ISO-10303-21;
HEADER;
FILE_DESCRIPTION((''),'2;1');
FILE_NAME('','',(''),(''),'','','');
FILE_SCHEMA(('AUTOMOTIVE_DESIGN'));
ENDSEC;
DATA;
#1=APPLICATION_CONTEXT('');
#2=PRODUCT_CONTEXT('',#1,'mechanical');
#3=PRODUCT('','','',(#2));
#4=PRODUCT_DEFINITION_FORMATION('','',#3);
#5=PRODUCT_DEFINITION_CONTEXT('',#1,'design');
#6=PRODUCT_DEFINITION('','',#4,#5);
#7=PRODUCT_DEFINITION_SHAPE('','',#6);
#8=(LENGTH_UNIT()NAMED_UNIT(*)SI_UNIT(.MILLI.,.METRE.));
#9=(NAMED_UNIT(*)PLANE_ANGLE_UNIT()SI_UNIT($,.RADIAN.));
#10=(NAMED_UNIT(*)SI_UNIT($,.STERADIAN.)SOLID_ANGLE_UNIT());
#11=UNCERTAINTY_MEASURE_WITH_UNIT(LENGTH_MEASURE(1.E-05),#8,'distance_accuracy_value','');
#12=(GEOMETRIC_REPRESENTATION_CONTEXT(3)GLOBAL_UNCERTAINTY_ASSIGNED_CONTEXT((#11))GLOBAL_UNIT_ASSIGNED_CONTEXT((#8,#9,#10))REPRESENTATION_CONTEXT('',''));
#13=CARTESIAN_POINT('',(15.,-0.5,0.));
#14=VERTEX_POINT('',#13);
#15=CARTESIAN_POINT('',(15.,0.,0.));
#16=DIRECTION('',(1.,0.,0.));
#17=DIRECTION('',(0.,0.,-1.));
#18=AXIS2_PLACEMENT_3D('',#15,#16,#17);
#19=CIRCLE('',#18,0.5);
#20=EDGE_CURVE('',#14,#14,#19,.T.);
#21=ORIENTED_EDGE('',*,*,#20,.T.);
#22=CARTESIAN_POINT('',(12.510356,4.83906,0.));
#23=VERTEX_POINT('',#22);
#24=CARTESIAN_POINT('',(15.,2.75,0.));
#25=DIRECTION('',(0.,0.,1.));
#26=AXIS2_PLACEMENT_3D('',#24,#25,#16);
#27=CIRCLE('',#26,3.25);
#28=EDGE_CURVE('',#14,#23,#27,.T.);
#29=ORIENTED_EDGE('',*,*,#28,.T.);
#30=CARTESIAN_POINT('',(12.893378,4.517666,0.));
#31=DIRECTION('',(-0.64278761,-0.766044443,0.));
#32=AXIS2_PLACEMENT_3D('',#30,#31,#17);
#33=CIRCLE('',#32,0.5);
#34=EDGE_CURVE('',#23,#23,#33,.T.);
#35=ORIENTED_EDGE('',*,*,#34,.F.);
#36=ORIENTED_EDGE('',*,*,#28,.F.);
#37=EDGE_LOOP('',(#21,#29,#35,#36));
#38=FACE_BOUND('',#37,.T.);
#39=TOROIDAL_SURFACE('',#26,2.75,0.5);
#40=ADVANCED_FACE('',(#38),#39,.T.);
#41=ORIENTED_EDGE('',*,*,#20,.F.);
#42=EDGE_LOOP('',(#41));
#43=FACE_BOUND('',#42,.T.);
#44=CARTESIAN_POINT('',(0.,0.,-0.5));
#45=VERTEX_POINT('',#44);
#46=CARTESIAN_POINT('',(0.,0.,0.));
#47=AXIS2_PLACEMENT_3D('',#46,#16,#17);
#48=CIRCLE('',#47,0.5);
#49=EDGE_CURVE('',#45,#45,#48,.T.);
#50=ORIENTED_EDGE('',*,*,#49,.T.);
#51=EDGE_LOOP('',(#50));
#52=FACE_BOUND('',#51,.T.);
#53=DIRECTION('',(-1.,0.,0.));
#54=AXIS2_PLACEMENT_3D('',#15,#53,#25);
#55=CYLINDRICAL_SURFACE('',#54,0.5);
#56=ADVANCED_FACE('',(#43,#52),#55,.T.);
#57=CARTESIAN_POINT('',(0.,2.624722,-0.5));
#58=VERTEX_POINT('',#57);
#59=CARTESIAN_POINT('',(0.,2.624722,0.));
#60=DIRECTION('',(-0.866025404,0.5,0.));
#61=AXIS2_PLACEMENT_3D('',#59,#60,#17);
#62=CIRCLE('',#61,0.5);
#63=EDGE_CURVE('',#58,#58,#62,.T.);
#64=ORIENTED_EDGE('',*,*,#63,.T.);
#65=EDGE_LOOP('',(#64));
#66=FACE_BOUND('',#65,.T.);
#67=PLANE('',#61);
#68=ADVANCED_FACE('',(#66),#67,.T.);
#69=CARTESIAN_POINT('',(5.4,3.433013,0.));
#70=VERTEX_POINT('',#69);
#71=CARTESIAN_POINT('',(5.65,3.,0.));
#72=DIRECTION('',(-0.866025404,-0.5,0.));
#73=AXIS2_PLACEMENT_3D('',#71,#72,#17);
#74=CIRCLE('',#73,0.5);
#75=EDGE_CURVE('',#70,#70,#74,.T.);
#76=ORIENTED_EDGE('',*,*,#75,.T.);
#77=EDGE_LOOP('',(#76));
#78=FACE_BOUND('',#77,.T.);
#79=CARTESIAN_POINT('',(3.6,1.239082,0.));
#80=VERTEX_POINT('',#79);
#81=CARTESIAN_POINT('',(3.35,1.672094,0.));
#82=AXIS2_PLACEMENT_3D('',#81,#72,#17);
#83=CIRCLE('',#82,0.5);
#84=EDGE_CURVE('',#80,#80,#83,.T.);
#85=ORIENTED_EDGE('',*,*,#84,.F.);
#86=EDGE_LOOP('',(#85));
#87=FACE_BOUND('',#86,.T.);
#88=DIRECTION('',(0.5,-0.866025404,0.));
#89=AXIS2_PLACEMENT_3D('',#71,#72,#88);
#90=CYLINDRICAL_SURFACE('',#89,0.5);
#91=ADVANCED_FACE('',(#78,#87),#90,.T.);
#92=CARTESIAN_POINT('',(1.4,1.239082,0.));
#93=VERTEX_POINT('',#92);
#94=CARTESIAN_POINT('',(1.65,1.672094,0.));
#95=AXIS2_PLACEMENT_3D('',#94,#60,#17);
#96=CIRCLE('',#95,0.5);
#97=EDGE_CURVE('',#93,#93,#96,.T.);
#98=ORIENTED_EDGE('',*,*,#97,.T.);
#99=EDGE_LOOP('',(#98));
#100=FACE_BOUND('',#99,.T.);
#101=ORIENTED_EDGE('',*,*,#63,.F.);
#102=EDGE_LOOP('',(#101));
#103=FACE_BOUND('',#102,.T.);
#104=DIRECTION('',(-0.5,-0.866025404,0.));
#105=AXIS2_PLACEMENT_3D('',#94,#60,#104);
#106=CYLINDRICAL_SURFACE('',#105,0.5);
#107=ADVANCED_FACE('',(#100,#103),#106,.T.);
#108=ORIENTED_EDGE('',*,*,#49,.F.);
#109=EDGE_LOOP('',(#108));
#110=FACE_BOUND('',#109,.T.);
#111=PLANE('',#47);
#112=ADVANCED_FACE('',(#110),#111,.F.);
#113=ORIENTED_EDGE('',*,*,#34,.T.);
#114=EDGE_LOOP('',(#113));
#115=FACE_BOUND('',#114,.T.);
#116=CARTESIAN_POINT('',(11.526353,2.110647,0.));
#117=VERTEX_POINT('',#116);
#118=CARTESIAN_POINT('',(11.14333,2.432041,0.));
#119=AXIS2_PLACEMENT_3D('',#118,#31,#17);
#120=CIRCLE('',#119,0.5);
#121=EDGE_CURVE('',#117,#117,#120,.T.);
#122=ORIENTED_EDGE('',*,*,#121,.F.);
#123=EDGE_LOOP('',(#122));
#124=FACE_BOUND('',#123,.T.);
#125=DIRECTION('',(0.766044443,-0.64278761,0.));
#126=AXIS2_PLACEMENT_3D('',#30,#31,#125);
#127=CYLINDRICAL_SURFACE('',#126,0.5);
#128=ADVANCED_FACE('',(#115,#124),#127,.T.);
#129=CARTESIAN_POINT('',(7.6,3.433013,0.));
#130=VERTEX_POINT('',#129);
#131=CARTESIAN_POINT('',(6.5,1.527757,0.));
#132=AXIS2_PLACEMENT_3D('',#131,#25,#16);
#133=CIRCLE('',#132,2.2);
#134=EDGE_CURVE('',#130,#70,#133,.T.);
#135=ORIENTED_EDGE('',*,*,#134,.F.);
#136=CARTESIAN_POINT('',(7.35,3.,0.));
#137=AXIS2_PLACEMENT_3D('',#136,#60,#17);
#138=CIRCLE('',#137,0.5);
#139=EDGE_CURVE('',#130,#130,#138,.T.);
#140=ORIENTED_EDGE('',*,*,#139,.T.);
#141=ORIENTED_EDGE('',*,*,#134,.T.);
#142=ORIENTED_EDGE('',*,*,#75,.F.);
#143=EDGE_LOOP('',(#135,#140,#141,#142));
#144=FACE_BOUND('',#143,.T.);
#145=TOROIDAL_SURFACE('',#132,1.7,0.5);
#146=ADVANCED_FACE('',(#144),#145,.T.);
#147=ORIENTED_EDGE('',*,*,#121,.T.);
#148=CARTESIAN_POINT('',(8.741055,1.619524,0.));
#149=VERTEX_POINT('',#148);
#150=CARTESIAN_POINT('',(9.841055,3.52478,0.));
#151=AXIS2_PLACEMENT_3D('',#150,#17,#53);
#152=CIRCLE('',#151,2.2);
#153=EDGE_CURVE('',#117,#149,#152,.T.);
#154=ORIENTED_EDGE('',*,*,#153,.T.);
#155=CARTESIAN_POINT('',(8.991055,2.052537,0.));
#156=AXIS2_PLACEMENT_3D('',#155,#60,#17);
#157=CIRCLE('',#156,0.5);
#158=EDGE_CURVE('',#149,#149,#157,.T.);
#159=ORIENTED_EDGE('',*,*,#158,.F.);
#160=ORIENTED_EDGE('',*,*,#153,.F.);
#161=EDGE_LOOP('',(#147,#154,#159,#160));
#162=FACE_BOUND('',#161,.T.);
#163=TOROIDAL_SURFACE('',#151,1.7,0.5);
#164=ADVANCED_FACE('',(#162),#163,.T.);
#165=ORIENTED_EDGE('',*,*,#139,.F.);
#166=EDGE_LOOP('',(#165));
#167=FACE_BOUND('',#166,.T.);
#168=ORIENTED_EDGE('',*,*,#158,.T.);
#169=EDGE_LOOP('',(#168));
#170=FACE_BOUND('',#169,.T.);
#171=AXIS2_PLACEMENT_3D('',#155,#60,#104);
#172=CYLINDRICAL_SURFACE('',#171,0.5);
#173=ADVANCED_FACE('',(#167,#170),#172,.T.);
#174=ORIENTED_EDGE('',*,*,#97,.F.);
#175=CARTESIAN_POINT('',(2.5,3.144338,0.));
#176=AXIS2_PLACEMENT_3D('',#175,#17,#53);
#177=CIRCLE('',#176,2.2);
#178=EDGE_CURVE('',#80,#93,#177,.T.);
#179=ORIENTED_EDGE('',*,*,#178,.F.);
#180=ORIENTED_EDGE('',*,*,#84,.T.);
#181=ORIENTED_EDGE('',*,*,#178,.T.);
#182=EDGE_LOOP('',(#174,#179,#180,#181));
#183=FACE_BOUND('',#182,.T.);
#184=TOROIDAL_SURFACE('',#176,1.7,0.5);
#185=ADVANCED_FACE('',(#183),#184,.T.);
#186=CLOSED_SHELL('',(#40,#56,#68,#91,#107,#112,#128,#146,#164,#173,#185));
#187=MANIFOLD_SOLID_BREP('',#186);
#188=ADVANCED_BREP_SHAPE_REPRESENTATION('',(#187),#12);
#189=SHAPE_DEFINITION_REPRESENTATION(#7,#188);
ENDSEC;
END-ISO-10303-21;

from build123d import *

# Parameters (mm, degrees)
ESQUISSE2_R = 0.5


with BuildPart() as part:
    # Balayage1: sweep along a path in Esquisse1
    with BuildLine(Plane.XY) as balayage1_path:
        Line((0, 0), (15, 0))
        ThreePointArc((15, 0), (17.492346414, 3.91220022), (12.893377781, 4.517665927))
        Line((12.893377781, 4.517665927), (11.143330468, 2.432040753))
        ThreePointArc((11.143330468, 2.432040753), (10.136256816, 1.85060651), (8.991054914, 2.052536503))
        Line((8.991054914, 2.052536503), (7.35, 3))
        ThreePointArc((7.35, 3), (6.5, 3.227756814), (5.65, 3))
        Line((5.65, 3), (3.35, 1.672094381))
        ThreePointArc((3.35, 1.672094381), (2.5, 1.444337567), (1.65, 1.672094381))
        Line((1.65, 1.672094381), (0, 2.624722325))
    # Esquisse2 → Balayage1 (sweep)
    with BuildSketch(Plane(origin=(0, 0, 0), x_dir=(0, 0, -1), z_dir=(1, 0, 0))):
        Circle(ESQUISSE2_R)
    sweep(path=balayage1_path.line)


solid = part.part
